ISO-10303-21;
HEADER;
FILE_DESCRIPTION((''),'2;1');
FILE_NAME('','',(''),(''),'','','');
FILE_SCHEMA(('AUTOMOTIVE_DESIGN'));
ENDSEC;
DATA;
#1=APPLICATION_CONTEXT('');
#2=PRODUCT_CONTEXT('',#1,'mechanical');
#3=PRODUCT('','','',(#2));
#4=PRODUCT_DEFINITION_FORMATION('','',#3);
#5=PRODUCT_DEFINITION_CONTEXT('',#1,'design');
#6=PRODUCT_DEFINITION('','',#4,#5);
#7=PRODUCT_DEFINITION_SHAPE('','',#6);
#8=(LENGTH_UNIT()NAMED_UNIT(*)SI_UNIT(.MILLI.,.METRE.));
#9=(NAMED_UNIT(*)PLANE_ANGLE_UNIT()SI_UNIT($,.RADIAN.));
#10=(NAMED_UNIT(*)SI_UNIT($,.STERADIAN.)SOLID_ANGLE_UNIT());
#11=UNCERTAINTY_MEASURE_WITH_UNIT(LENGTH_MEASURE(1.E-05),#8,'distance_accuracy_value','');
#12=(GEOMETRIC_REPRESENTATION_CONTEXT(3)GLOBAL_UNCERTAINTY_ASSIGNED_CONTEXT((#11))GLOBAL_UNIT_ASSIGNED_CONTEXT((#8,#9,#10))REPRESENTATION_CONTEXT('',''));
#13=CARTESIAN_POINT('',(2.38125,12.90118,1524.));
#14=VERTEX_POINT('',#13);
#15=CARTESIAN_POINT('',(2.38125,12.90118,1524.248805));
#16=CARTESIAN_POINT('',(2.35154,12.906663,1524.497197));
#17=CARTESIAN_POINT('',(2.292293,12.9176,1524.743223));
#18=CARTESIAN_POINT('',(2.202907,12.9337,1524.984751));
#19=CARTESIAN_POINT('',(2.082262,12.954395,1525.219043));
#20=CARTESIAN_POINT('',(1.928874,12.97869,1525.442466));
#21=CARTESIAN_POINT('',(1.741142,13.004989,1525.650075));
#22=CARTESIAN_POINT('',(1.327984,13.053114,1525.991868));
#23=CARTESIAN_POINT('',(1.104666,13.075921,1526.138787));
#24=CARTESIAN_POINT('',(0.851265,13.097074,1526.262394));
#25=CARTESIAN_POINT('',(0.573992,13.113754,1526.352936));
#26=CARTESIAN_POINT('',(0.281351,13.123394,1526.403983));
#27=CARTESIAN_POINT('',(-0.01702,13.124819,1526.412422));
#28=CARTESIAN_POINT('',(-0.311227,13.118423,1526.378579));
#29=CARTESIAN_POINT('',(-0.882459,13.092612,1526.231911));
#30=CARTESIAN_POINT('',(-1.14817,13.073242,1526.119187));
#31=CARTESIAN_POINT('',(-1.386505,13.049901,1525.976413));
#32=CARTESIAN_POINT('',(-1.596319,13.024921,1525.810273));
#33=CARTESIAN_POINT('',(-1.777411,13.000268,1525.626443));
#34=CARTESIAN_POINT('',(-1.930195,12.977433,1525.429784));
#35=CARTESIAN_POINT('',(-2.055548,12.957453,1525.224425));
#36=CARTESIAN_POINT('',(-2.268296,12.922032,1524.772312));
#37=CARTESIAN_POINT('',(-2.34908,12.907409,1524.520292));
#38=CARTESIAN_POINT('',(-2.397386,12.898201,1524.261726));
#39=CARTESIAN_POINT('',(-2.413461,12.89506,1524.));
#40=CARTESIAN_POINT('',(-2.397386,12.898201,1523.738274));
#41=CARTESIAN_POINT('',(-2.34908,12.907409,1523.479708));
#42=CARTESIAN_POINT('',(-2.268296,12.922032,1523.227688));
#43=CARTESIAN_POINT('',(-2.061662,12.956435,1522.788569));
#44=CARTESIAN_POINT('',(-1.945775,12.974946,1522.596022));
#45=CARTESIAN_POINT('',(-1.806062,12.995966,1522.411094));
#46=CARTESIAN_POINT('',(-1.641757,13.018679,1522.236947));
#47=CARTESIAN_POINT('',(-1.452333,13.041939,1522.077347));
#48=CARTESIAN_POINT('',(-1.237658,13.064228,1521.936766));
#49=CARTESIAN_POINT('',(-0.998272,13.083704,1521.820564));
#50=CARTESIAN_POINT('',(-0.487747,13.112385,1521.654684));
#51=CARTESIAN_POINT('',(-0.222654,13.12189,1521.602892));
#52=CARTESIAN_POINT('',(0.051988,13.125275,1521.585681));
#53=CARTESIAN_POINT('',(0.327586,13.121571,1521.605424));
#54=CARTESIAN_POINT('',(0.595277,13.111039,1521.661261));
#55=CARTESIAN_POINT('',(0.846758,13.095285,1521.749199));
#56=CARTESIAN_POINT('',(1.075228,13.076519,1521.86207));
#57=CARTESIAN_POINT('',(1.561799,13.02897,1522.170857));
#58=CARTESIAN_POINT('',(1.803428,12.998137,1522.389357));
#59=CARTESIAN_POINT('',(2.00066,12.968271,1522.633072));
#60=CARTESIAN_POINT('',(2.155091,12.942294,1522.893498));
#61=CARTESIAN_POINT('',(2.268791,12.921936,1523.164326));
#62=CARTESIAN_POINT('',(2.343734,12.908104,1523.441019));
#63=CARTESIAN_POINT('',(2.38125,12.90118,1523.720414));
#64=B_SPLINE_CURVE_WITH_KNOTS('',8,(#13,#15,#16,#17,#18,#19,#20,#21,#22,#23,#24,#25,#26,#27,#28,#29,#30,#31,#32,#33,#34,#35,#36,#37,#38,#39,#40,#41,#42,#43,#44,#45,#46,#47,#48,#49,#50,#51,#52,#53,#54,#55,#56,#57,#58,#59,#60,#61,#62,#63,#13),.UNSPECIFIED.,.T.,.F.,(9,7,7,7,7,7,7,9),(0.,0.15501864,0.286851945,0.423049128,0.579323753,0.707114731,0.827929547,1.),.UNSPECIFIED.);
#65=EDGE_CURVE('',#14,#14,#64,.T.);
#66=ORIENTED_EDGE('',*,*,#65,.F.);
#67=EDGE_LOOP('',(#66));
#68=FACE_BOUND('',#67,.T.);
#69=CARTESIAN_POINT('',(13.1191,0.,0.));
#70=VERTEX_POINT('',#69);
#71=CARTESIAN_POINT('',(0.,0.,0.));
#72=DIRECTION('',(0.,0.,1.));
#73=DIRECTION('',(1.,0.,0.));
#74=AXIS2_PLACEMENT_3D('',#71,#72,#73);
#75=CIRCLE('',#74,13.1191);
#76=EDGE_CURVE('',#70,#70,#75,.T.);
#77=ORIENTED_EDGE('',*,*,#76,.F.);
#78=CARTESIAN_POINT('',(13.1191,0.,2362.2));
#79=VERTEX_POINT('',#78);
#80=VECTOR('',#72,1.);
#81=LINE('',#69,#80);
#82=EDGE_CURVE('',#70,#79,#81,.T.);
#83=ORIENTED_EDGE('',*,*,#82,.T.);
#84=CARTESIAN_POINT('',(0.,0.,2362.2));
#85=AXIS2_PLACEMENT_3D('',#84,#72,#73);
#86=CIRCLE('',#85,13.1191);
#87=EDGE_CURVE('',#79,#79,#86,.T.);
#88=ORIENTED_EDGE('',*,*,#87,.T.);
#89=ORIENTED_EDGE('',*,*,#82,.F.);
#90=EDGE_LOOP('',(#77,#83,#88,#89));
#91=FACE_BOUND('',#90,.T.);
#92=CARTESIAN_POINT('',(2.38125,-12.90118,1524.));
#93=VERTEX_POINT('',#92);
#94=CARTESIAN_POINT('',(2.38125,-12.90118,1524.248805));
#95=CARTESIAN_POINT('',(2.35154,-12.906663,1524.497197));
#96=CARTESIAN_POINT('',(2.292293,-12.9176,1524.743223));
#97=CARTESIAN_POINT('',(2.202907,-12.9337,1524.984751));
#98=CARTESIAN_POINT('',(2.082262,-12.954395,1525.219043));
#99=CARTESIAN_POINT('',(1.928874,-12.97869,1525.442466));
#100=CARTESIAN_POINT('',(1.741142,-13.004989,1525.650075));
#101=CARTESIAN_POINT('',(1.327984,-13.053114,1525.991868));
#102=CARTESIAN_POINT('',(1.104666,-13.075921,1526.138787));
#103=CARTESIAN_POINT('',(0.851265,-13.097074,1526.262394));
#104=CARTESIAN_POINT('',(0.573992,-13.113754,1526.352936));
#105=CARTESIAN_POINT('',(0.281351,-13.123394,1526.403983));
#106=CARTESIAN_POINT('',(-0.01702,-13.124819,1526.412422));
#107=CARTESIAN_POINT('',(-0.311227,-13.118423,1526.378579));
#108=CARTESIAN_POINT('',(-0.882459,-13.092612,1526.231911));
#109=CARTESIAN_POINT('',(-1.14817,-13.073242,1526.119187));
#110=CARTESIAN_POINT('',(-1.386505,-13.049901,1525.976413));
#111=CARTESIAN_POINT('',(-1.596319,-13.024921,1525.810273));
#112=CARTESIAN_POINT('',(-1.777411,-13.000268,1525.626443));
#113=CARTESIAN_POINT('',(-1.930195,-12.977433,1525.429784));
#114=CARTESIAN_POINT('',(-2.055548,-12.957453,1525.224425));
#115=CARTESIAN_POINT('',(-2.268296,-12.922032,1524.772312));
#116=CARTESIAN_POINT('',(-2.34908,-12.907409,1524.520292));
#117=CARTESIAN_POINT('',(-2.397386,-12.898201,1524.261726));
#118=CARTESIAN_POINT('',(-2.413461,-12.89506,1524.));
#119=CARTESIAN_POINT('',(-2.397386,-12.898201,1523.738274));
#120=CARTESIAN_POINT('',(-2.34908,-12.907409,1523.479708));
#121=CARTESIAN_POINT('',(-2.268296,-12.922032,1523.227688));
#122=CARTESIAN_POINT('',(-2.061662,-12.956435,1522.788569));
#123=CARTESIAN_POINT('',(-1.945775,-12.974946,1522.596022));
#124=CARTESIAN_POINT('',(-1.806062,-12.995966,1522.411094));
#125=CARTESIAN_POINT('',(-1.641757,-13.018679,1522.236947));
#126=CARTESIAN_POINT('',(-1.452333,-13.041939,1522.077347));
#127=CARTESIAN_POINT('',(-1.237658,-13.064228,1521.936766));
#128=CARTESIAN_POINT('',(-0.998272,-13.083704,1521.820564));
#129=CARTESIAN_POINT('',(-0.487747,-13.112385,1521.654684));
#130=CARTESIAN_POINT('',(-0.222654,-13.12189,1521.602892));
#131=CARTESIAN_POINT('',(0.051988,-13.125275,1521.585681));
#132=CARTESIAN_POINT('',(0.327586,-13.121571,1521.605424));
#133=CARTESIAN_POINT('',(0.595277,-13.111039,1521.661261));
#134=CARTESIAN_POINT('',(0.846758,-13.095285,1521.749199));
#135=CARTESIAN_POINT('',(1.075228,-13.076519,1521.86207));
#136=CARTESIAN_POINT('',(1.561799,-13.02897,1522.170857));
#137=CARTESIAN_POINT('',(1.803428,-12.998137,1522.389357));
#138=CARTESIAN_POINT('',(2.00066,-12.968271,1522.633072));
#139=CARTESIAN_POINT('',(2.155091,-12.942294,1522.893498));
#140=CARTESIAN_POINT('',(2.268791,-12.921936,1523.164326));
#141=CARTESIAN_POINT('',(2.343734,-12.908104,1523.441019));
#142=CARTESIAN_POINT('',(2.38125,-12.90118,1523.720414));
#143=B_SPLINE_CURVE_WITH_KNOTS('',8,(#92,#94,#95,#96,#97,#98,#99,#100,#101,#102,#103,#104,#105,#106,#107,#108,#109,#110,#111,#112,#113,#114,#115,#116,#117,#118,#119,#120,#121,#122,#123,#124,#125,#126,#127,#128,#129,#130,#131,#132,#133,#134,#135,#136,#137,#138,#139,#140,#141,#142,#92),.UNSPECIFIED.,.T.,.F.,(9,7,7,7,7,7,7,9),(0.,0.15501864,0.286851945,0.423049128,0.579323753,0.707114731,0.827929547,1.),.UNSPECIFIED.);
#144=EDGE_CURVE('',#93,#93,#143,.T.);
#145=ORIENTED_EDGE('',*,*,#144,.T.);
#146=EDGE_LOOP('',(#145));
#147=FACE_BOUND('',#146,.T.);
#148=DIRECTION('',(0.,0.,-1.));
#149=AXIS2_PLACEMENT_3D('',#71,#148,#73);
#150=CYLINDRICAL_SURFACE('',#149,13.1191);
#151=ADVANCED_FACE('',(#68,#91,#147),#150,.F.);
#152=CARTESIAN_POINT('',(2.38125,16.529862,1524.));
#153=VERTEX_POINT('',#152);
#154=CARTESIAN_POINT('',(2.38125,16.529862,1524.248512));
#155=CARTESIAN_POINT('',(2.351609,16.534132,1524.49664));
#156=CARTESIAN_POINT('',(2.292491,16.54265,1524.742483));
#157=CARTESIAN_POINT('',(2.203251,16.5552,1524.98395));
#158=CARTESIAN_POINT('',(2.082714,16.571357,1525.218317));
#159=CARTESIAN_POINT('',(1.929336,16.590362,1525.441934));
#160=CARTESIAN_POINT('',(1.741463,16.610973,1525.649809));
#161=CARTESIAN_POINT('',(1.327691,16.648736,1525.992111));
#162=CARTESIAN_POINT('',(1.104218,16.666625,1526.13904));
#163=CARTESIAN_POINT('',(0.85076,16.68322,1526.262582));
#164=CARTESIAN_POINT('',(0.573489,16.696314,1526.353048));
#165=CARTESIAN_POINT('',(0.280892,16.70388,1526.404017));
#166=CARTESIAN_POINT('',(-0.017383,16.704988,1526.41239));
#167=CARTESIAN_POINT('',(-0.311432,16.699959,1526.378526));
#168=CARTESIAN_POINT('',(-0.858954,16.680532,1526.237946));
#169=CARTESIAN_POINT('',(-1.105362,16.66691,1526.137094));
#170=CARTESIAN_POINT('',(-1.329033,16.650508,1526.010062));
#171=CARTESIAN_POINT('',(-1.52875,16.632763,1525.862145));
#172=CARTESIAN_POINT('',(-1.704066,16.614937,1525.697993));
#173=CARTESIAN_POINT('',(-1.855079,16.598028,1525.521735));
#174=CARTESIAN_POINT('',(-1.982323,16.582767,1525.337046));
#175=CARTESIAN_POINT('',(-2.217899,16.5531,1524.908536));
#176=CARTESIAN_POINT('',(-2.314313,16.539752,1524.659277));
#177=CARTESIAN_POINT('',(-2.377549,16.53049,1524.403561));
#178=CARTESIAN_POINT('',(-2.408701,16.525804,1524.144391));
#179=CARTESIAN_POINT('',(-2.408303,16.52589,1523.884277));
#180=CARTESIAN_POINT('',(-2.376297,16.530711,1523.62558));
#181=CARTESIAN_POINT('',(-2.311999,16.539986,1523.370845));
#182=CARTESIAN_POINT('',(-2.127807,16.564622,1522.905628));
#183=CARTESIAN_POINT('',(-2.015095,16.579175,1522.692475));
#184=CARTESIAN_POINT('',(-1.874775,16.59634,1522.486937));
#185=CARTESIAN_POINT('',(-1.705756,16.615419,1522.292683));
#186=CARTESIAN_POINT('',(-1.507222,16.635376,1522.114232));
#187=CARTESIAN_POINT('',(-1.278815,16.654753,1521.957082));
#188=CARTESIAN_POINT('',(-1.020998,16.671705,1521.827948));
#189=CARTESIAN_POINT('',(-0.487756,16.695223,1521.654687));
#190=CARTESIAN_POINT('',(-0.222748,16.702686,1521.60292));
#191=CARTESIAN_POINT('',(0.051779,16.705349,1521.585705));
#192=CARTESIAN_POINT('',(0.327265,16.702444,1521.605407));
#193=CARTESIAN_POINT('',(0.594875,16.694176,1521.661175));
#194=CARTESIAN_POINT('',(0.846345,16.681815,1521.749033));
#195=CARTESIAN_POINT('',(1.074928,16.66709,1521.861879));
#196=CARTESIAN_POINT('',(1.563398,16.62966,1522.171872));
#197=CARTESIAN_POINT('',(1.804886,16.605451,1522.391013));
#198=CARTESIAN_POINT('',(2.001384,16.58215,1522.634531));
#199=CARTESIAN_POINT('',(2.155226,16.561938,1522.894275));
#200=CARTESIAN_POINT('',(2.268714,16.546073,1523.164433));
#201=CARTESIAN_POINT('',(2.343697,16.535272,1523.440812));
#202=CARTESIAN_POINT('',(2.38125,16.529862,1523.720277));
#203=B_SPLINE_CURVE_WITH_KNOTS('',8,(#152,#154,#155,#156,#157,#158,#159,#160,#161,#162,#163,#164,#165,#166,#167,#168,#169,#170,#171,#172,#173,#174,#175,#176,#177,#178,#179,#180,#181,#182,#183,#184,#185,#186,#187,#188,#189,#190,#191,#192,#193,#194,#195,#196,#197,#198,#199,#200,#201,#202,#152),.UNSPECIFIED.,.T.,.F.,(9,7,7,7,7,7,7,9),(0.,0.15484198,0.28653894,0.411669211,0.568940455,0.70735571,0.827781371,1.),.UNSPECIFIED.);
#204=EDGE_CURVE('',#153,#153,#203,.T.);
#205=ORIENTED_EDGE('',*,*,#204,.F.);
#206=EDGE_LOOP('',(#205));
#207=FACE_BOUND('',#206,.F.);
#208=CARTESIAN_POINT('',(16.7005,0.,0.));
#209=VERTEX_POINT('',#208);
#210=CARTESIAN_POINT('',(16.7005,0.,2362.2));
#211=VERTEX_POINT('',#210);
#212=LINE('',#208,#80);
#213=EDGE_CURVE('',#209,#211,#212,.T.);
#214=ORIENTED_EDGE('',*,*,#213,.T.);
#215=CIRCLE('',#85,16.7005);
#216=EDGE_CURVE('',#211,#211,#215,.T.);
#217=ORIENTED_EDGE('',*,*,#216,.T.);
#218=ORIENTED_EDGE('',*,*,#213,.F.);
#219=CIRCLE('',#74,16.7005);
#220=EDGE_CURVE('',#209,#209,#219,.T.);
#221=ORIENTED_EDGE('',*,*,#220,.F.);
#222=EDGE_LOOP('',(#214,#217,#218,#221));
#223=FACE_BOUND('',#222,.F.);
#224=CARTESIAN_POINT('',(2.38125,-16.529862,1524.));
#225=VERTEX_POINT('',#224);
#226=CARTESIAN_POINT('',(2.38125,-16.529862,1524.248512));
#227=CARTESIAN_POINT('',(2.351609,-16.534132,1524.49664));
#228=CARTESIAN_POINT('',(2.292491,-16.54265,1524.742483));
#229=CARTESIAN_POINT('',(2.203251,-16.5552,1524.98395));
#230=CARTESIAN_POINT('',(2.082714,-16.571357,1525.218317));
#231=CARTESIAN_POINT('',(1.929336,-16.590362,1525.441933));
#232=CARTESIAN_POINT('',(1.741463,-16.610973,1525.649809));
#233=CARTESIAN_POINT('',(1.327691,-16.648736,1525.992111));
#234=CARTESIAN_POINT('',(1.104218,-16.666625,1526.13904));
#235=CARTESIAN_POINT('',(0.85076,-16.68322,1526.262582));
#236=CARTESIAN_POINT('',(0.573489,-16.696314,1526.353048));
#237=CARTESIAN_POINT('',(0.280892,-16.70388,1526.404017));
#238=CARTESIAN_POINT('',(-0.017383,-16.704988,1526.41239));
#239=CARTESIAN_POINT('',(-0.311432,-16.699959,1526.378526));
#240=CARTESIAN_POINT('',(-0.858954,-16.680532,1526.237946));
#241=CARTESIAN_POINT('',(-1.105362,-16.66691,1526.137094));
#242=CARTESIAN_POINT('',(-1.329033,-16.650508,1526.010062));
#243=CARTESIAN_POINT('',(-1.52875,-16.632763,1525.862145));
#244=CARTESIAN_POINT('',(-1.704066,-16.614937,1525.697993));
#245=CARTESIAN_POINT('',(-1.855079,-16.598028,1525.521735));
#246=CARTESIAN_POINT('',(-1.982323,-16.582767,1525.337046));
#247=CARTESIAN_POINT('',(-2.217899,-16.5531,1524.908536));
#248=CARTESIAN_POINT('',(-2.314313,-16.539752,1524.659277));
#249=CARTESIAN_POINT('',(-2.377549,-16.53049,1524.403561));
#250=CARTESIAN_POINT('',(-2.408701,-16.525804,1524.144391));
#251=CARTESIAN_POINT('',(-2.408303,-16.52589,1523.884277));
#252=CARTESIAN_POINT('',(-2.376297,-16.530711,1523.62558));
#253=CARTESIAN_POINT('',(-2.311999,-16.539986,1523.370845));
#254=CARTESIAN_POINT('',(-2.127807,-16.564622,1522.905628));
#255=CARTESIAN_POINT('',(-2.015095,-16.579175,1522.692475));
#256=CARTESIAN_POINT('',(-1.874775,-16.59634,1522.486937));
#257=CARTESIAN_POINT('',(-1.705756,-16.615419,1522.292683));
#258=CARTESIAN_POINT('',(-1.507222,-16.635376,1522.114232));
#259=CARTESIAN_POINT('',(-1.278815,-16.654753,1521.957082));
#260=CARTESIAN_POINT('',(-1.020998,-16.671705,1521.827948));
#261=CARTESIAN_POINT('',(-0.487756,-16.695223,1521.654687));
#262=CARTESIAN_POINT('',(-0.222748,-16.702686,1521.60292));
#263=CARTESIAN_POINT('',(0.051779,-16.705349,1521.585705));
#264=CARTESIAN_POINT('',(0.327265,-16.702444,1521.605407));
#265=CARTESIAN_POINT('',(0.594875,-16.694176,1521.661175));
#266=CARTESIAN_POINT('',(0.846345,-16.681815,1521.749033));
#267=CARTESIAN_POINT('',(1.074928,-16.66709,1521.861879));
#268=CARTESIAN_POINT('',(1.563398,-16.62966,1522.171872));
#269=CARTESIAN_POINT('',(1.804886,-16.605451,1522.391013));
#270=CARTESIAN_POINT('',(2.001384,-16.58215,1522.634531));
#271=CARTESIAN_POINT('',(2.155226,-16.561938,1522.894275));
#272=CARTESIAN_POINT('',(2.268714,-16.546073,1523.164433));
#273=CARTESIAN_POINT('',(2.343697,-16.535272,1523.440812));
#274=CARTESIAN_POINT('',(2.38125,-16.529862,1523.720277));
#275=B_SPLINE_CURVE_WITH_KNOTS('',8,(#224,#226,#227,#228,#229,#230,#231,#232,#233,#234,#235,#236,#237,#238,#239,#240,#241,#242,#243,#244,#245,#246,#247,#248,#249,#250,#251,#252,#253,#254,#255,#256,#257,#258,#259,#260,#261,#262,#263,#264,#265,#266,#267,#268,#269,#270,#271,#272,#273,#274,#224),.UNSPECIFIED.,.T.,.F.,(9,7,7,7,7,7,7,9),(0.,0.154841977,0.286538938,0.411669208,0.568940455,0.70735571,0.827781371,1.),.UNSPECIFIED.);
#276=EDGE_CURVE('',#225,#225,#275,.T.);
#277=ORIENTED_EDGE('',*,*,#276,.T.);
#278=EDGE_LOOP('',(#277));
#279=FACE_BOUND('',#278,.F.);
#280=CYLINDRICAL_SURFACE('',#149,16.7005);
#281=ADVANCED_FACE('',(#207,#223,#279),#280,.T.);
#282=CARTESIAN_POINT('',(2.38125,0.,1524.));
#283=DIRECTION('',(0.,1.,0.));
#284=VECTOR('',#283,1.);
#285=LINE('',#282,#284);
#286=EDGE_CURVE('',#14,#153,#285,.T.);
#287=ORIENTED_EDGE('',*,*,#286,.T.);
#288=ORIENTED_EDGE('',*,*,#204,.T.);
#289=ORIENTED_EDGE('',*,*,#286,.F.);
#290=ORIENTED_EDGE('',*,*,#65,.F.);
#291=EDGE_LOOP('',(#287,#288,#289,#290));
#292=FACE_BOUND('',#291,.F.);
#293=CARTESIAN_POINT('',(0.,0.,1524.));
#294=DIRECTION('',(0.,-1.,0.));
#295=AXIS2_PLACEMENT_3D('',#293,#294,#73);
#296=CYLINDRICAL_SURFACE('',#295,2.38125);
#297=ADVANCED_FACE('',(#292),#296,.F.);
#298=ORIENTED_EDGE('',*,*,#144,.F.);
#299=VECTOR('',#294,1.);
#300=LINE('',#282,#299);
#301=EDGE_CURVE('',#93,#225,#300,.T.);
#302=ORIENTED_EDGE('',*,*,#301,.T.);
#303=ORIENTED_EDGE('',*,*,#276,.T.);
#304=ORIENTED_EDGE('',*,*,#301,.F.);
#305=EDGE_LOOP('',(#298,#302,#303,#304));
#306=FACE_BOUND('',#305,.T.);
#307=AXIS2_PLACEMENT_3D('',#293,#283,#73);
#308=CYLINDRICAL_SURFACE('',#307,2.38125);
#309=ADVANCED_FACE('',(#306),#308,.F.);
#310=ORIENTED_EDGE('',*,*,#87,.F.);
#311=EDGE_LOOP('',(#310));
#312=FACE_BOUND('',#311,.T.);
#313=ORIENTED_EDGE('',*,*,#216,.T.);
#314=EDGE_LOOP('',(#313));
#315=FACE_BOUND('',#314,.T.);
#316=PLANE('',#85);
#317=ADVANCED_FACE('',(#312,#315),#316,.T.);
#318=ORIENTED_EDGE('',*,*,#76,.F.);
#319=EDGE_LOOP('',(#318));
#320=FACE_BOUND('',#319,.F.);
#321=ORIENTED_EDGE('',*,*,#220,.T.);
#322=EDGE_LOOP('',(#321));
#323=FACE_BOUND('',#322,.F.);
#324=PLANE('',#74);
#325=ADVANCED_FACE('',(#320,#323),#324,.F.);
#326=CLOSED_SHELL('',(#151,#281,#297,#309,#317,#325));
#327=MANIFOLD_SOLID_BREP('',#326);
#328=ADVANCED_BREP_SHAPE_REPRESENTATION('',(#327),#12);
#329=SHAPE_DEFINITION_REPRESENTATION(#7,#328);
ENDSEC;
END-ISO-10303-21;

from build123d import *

# Parameters (mm, degrees)
F0_R          = 16.7005
F0_R_2        = 13.1191
F1_DEPTH      = 2362.2
F2_R          = 2.38125
F3_DEPTH      = 16.7015
F3_DEPTH_BACK = 16.7015


with BuildPart() as f1:
    # F0 (on Top) → F1 (new body)
    with BuildSketch(Plane.XY):
        Circle(F0_R)
        Circle(F0_R_2, mode=Mode.SUBTRACT)
    extrude(amount=F1_DEPTH)

    # F2 (on Front) → F3 (cut, two sides)
    with BuildSketch(Plane.XZ) as f3_sk:
        with Locations((0, 1524)):
            Circle(F2_R)
    extrude(amount=-F3_DEPTH, mode=Mode.SUBTRACT)
    extrude(f3_sk.sketch, amount=F3_DEPTH_BACK, mode=Mode.SUBTRACT)


solid = f1.part
